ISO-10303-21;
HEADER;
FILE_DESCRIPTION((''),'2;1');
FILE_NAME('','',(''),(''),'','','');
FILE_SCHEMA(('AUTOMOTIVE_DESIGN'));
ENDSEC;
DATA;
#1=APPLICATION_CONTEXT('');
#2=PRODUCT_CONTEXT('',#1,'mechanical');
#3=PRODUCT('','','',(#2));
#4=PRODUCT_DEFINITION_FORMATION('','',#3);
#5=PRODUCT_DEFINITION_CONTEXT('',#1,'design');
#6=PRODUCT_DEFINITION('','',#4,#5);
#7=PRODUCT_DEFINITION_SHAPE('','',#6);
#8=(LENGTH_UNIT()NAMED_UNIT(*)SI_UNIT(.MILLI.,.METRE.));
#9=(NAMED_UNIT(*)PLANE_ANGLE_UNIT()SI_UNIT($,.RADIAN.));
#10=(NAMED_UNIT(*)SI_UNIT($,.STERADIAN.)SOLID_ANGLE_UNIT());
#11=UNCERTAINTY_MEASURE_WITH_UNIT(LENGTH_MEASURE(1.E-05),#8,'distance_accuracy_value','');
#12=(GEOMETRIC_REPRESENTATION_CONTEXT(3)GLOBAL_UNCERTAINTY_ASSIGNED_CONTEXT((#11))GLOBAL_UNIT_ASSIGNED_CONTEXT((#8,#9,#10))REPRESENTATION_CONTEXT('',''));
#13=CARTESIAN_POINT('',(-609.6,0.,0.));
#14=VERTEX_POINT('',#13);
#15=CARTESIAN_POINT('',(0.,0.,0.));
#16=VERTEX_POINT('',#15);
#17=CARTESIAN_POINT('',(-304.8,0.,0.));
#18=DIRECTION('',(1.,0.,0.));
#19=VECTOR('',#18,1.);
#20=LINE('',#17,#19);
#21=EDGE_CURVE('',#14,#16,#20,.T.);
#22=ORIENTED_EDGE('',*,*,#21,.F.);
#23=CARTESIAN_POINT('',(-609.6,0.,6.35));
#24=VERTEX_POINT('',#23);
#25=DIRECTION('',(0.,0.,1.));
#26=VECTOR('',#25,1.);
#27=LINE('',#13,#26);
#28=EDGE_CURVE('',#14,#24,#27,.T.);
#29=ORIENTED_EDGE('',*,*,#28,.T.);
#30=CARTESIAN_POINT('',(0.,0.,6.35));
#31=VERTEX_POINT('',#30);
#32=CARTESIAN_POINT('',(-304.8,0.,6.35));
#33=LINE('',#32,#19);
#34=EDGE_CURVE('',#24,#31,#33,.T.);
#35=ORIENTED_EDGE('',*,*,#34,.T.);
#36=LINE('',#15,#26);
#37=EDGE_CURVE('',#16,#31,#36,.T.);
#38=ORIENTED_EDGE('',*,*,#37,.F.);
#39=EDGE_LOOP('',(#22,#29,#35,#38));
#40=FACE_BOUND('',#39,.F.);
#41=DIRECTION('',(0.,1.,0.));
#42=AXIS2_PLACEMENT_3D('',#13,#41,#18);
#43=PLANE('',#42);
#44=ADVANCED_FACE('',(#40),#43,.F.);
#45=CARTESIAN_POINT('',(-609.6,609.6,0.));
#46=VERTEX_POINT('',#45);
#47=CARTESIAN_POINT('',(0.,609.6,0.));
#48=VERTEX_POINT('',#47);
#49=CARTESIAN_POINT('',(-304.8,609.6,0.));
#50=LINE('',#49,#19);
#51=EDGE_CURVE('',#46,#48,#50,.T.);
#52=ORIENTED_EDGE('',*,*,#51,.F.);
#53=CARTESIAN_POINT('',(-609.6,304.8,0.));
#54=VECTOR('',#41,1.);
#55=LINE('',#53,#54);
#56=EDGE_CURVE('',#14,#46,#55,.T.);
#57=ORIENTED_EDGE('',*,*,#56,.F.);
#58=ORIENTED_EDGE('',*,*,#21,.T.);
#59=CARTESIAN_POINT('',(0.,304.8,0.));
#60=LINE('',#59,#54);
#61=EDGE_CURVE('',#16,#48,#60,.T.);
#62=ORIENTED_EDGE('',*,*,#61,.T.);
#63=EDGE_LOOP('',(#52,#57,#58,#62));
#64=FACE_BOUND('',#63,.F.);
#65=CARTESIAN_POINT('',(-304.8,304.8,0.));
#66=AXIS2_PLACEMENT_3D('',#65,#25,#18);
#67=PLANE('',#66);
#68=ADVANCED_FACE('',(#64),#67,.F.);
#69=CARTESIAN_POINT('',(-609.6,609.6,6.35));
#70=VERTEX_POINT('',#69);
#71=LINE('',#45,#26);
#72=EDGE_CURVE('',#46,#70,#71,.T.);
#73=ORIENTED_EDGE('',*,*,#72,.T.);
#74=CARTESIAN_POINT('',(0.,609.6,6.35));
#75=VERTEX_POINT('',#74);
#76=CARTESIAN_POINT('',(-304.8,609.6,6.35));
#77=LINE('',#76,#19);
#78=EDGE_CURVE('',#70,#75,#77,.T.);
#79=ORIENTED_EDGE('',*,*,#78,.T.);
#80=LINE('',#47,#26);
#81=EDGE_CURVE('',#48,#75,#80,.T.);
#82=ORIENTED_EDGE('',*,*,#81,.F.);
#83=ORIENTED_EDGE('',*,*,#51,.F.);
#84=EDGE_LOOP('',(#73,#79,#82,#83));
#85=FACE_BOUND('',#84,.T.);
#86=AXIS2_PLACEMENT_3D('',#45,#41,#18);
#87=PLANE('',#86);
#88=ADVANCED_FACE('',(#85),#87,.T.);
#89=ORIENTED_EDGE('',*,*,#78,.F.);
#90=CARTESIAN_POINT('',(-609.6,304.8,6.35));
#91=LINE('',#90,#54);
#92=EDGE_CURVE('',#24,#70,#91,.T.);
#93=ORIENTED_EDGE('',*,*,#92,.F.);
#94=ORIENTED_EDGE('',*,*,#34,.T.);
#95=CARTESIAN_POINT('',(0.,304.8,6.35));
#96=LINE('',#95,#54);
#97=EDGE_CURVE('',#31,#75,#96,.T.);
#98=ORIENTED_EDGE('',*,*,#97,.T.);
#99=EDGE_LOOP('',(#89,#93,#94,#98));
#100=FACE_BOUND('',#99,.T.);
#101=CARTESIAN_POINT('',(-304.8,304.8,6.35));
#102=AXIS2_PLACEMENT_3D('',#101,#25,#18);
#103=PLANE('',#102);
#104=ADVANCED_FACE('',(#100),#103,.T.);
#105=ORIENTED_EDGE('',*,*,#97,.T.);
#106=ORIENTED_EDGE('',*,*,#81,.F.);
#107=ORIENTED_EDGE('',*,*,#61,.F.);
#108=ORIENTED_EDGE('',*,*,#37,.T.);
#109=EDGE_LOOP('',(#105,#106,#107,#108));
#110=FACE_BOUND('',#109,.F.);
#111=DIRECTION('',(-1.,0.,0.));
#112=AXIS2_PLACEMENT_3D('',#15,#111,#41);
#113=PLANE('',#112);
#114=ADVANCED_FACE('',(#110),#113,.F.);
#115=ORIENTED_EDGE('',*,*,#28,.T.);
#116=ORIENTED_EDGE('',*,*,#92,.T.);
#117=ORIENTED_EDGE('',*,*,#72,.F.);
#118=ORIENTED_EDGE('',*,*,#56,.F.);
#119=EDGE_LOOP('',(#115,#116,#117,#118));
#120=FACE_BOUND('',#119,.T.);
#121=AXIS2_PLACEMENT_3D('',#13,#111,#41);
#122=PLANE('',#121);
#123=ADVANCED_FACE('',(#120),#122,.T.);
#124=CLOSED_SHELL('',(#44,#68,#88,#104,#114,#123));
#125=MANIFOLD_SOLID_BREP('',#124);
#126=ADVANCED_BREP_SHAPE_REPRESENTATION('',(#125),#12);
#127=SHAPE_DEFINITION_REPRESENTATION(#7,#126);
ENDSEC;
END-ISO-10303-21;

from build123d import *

# Parameters (mm, degrees)
SKETCH1_W           = 609.6
SKETCH1_H           = 609.6
BOSS_EXTRUDE1_DEPTH = 6.35


with BuildPart() as part:
    # Sketch1 → Boss-Extrude1 (new body)
    with BuildSketch(Plane.XY):
        with Locations((-304.8, 304.8)):
            Rectangle(SKETCH1_W, SKETCH1_H)
    extrude(amount=BOSS_EXTRUDE1_DEPTH)


solid = part.part
